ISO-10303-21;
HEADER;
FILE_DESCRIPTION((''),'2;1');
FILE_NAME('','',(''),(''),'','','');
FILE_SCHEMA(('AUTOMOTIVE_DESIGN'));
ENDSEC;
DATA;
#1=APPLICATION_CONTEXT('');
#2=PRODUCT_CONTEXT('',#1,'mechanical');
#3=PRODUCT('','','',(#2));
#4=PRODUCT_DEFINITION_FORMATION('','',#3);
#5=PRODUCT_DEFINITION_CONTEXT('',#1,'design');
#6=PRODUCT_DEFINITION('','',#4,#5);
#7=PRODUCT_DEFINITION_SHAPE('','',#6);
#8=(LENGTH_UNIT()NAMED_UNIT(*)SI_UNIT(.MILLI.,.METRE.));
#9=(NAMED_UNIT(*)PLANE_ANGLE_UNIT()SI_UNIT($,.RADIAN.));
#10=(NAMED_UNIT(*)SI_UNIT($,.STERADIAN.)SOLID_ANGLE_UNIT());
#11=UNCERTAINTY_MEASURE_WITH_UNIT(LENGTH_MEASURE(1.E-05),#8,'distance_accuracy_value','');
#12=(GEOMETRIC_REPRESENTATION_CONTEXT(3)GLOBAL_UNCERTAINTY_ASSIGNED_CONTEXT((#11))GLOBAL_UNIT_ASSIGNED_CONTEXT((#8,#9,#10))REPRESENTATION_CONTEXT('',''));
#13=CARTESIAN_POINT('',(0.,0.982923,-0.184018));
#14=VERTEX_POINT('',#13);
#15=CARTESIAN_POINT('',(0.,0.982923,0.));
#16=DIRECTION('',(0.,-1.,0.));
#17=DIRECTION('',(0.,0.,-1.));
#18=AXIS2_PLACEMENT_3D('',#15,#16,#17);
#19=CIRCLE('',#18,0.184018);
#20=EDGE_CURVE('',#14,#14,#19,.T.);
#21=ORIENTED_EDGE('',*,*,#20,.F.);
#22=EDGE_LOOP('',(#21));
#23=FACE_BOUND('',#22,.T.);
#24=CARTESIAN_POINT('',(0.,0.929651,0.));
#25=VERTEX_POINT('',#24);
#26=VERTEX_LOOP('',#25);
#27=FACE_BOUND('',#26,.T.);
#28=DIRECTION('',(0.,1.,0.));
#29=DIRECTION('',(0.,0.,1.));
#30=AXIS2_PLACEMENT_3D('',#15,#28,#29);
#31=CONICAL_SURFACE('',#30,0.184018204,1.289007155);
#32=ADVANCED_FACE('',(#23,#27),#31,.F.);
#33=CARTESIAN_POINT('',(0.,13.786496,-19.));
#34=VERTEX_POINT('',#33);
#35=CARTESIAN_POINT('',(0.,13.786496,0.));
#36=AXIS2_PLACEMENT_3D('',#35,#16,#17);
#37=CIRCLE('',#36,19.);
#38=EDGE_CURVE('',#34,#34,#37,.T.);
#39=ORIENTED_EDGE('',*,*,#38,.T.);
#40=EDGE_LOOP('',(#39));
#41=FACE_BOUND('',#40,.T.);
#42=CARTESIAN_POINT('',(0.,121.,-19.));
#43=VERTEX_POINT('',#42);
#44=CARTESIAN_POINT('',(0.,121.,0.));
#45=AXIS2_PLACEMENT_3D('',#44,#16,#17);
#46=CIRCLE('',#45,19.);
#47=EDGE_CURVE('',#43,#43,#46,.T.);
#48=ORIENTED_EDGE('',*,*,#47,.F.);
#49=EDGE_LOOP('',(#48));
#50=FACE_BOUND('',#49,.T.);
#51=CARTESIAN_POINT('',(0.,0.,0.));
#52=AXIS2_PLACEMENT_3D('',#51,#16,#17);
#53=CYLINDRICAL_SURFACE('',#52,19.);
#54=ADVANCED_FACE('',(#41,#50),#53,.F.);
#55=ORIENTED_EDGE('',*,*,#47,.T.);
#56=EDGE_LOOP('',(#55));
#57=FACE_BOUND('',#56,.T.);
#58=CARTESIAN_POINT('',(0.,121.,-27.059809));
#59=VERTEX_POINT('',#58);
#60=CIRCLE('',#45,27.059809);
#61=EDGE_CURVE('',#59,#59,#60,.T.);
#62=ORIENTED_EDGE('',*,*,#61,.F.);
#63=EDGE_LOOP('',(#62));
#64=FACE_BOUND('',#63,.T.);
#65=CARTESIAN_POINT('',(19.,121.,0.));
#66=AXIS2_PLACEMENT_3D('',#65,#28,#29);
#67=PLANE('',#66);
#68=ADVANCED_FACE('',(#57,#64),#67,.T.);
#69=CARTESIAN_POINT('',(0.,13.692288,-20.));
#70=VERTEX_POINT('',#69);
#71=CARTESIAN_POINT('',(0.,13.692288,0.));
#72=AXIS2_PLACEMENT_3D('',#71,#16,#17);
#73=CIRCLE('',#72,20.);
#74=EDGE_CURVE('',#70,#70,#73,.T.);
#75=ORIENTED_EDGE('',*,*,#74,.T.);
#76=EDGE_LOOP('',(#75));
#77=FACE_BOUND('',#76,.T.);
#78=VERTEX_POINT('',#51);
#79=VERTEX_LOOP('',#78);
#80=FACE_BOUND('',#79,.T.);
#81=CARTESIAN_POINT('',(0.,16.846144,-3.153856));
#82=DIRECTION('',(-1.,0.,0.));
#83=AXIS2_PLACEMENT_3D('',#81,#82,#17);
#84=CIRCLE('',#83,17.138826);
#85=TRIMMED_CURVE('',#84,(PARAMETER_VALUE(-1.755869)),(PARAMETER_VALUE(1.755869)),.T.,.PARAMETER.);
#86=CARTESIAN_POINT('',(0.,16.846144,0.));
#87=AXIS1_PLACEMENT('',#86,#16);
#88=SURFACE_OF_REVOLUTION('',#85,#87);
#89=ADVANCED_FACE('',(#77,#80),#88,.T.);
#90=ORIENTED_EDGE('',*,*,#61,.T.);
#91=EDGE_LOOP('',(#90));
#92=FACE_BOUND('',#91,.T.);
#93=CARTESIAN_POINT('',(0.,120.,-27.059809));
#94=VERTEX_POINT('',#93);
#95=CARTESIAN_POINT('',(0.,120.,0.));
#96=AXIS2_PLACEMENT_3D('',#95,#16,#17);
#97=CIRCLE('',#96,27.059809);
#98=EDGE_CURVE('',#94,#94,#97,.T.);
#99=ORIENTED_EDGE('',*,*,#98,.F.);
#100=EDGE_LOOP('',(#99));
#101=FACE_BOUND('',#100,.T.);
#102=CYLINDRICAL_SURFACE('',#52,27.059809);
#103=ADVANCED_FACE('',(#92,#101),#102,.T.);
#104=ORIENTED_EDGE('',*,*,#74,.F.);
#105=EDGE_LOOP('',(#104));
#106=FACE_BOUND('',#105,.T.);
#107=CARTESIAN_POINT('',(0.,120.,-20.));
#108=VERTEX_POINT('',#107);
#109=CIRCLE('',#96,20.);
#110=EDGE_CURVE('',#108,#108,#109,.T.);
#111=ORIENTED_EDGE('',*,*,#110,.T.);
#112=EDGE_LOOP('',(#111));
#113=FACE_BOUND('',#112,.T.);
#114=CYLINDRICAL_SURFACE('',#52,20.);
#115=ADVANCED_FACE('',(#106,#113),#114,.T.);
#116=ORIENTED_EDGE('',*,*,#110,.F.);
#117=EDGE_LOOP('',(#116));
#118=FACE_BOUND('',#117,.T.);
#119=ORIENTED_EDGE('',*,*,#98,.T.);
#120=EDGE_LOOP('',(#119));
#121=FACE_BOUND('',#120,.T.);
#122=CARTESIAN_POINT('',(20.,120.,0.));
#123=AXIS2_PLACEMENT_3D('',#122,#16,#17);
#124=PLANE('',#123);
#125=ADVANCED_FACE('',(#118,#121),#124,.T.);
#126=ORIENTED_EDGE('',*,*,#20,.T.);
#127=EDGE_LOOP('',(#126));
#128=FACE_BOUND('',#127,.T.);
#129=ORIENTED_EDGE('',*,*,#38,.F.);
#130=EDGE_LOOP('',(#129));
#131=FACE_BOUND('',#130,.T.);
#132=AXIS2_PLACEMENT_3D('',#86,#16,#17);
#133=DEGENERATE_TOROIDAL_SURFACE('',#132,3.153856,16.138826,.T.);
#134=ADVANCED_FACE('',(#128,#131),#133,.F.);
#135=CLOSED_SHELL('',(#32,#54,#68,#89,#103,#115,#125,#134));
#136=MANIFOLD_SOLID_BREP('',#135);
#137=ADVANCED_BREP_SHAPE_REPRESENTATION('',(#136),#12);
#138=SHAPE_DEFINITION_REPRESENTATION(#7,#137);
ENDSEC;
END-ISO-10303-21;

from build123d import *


with BuildPart() as part:
    # Sketch2 → Revolve2 (revolve)
    with BuildSketch(Plane.XY):
        with BuildLine():
            Line((20, 120), (20, 13.692287852))
            ThreePointArc((20, 13.692287852), (12.835765664, 2.704008302), (0, 0))
            Line((0, 0), (0, 0.929650957))
            Line((0, 0.929650957), (0.184018204, 0.982922835))
            ThreePointArc((0.184018204, 0.982922835), (12.233100998, 3.503391888), (19, 13.786496394))
            Line((19, 13.786496394), (19, 121))
            Line((19, 121), (27.059808742, 121))
            Line((27.059808742, 121), (27.059808742, 120))
            Line((27.059808742, 120), (20, 120))
        make_face()
    revolve(axis=Axis((0, 0, 0), (0, 1, 0)))


solid = part.part
